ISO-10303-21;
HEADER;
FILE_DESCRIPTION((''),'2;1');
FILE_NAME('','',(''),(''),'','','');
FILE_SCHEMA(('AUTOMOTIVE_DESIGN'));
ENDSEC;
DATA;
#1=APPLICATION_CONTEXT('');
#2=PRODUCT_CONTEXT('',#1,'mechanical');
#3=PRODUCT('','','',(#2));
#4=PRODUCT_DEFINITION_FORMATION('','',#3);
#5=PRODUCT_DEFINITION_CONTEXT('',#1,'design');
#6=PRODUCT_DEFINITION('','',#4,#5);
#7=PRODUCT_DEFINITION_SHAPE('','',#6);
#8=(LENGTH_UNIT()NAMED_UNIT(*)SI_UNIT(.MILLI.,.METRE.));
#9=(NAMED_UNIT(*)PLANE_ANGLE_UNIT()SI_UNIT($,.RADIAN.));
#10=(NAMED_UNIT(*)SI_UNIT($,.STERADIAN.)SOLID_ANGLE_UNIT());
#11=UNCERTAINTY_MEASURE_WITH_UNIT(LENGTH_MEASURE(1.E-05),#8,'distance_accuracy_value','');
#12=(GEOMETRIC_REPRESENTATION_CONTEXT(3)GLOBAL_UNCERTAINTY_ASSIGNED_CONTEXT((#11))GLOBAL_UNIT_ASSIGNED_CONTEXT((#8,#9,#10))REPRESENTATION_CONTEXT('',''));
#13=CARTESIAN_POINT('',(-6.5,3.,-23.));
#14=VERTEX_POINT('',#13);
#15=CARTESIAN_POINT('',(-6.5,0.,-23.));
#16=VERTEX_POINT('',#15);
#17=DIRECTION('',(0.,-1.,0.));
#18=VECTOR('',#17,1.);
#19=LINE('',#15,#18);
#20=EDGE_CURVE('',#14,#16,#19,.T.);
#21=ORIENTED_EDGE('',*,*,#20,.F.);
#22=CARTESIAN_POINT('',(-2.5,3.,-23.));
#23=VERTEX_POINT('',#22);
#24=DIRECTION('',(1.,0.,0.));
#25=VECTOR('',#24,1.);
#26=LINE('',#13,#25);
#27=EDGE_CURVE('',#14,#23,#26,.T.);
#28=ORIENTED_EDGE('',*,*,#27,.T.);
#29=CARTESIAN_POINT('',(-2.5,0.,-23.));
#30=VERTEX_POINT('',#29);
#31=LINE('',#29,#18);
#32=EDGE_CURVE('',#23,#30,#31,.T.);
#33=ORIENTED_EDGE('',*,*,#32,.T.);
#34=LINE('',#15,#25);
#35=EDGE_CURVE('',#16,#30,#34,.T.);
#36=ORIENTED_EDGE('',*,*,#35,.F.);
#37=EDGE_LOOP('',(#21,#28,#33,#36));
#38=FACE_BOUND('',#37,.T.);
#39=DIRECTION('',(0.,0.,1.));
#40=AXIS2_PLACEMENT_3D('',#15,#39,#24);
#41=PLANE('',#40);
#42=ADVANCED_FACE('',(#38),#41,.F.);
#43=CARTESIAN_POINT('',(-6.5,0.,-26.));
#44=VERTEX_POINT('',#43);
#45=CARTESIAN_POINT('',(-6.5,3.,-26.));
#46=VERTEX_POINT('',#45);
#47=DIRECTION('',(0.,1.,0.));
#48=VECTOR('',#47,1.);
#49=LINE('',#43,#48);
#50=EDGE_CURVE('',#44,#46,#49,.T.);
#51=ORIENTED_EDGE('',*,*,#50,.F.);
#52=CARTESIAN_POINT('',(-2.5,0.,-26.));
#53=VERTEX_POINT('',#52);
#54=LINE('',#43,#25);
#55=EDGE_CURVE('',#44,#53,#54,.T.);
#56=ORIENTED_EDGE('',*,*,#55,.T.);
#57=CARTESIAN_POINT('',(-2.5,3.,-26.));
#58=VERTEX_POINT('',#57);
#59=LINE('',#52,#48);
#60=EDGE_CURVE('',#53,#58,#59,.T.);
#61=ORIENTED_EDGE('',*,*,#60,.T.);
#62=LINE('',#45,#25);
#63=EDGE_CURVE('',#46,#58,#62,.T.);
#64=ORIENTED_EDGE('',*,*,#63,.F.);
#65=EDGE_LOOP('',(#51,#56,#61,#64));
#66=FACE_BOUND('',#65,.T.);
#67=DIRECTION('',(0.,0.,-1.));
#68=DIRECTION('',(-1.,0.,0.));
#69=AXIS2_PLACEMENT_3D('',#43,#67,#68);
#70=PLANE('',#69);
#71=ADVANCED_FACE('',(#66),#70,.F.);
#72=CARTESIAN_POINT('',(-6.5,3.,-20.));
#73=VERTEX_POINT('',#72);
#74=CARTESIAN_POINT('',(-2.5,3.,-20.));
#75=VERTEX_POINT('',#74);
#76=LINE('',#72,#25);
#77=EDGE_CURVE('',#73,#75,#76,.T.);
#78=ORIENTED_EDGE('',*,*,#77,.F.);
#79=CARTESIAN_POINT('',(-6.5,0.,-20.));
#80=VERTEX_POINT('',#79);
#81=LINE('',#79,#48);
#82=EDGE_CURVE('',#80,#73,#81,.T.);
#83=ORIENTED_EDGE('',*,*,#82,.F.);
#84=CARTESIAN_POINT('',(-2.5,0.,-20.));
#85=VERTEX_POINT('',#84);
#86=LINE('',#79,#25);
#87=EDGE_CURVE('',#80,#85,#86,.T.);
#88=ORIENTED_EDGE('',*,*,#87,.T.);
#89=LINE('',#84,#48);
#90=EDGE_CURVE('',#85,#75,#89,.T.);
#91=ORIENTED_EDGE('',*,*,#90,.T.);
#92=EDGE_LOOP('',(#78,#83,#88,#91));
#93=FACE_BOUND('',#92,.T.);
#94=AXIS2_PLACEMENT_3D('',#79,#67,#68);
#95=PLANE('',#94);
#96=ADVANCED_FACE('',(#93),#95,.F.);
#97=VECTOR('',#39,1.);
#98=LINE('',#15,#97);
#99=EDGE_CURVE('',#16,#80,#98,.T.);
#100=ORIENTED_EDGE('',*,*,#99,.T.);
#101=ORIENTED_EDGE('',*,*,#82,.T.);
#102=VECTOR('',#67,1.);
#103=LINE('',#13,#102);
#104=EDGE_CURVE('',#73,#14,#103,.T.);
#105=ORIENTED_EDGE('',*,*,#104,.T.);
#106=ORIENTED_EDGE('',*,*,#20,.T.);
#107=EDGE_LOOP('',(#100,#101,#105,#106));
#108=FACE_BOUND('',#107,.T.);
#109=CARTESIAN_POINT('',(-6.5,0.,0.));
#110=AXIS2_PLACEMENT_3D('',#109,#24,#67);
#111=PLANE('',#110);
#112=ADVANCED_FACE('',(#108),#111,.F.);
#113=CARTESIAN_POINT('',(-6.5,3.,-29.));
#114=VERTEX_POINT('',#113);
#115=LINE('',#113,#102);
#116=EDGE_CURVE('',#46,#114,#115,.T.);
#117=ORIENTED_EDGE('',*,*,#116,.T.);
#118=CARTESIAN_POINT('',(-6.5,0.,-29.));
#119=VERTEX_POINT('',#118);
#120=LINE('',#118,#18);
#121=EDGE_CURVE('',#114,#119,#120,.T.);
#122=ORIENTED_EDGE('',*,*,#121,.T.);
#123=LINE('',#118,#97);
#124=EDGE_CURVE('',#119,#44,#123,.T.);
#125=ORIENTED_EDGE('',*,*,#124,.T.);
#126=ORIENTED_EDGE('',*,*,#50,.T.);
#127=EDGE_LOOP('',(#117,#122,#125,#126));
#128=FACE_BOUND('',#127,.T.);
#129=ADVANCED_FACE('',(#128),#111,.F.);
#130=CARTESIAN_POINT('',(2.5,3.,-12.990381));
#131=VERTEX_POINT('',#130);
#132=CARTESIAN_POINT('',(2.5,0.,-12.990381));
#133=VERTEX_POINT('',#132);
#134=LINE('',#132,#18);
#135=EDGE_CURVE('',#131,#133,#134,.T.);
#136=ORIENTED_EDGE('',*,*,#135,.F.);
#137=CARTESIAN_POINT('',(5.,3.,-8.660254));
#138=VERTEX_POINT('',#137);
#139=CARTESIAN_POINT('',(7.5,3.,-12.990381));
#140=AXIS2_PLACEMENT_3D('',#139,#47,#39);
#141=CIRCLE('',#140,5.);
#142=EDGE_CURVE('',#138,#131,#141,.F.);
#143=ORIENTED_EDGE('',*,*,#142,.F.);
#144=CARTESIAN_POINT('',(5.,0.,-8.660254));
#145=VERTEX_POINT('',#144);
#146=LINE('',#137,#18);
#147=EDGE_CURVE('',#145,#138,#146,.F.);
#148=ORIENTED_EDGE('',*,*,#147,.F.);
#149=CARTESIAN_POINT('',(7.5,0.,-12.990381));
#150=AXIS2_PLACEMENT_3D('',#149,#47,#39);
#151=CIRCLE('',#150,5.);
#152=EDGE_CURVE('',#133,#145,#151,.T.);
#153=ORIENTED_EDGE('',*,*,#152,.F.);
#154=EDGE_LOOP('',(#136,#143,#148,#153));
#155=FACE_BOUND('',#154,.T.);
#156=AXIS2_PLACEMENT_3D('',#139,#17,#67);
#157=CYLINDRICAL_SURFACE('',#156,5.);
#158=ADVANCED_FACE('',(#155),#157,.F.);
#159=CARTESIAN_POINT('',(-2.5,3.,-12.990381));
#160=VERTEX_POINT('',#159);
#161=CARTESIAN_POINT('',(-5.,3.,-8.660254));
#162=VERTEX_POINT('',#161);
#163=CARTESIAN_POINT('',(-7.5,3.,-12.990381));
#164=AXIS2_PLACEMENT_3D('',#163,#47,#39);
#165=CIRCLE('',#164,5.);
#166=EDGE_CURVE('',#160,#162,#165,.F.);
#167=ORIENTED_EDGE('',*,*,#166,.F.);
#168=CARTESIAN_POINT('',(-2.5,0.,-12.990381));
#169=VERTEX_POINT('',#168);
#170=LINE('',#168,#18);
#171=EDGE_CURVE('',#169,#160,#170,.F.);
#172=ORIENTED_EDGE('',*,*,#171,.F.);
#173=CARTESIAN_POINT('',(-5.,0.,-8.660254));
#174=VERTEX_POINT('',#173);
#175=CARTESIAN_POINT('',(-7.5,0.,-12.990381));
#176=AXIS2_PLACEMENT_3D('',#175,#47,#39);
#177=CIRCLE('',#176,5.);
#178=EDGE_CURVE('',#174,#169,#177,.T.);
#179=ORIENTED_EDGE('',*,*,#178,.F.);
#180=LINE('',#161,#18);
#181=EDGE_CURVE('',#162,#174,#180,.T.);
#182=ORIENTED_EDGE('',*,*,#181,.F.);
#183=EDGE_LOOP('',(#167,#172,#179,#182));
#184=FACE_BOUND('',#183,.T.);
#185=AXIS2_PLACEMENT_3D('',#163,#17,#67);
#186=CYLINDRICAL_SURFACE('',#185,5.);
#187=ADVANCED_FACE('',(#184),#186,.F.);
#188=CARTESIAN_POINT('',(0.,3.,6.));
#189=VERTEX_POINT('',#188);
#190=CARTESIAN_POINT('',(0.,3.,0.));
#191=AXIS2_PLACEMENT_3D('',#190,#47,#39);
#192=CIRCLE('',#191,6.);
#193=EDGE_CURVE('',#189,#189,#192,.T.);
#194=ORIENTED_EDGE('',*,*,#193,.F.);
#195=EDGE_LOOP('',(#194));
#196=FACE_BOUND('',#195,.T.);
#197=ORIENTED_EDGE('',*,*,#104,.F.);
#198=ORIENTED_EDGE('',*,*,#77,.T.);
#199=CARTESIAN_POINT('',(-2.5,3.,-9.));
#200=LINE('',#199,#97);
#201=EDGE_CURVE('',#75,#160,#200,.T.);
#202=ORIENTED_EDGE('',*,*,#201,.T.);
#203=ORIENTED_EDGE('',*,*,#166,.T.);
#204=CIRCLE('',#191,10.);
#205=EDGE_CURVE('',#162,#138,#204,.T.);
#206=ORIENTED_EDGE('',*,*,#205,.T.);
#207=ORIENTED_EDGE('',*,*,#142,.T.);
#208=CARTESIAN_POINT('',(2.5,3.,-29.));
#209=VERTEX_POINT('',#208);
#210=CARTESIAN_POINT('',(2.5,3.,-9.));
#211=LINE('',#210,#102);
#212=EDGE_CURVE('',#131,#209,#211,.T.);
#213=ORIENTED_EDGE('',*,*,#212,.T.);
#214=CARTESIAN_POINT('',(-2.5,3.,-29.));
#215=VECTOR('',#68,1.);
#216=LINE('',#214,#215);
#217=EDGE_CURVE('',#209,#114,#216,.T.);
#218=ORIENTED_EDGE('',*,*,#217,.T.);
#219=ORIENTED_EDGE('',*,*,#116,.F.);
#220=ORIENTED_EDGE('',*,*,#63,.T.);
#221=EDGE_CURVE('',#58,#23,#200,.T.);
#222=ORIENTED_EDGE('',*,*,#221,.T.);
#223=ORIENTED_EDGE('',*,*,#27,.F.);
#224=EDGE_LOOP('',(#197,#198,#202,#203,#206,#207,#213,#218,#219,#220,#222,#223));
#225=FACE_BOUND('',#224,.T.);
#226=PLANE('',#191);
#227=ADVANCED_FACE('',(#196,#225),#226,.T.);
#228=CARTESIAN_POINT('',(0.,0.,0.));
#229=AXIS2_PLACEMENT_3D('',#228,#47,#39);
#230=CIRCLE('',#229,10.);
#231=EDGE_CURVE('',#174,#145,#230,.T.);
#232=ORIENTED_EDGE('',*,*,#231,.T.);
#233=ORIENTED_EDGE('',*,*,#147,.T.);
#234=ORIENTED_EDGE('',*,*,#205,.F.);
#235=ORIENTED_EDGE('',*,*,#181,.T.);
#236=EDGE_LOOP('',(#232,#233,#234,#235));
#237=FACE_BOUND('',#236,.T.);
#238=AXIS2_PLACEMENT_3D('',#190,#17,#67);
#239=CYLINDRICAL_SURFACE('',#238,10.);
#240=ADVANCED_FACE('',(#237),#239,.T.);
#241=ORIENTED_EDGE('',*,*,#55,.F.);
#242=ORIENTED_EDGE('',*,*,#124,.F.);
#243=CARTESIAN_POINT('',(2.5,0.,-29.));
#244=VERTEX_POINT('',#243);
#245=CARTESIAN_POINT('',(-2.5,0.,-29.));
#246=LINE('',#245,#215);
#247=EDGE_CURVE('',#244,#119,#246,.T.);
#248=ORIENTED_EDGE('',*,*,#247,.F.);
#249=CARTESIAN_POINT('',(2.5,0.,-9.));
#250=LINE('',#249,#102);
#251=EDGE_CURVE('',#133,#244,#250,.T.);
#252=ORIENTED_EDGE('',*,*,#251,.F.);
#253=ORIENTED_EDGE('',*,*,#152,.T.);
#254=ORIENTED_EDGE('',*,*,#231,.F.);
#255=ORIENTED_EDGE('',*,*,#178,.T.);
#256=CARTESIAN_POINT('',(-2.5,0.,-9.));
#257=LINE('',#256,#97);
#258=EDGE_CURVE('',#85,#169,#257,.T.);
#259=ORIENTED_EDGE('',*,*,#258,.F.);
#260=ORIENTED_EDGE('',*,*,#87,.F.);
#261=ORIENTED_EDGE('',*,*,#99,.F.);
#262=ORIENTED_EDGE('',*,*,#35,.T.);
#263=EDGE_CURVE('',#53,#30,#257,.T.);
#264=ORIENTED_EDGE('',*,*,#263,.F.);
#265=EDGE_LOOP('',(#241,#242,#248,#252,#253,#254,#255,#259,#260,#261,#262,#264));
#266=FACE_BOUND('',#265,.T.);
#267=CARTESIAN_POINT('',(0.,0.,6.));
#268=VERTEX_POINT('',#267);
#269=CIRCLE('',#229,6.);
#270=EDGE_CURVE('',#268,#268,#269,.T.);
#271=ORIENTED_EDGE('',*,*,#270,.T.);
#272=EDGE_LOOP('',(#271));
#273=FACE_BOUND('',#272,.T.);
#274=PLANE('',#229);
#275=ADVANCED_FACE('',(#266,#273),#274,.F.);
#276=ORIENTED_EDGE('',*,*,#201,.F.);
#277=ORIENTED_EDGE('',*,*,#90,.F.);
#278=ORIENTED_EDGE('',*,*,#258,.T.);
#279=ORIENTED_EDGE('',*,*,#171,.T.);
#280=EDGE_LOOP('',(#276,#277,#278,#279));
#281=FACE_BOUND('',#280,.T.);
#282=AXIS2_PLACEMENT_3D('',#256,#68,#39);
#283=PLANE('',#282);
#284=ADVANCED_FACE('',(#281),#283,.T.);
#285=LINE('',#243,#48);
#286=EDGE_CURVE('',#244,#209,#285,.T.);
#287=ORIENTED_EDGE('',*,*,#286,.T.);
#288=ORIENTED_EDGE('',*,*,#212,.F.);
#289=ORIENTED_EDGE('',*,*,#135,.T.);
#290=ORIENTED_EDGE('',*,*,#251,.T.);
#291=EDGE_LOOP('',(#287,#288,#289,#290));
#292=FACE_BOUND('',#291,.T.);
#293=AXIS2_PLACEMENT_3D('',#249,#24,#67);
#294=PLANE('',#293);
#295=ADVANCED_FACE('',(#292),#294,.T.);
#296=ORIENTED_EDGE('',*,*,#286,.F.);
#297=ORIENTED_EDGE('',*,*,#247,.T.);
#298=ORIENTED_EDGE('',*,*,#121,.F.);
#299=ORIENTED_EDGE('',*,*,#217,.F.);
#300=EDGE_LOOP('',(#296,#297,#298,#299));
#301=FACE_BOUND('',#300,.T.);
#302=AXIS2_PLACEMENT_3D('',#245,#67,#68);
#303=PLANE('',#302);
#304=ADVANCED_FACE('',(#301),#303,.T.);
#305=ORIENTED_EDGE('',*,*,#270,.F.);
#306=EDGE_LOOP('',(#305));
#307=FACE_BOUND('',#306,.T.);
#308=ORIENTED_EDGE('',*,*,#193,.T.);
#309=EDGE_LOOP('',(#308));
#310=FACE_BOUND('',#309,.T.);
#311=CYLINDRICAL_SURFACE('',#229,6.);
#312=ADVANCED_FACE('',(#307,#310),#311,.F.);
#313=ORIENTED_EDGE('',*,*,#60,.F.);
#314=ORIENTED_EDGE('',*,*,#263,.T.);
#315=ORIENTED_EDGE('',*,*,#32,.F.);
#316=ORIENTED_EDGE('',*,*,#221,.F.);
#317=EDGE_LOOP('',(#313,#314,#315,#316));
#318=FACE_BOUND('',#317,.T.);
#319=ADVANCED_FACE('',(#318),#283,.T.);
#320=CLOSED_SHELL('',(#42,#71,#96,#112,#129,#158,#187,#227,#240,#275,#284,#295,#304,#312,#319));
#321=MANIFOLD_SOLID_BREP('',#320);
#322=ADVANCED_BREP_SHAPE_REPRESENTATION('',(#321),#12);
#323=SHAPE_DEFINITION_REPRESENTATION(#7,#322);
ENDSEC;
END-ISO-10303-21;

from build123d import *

# Parameters (mm, degrees)
SKETCH1_R           = 10
BOSS_EXTRUDE1_DEPTH = 3
SKETCH2_W           = 5
SKETCH2_H           = 20
BOSS_EXTRUDE2_DEPTH = 3
SKETCH3_W           = 3
SKETCH3_H           = 3
BOSS_EXTRUDE3_DEPTH = 4
SKETCH4_R           = 6
CUT_EXTRUDE1_DEPTH  = 3
FILLET1_R           = 5


with BuildPart() as part:
    # Sketch1 → Boss-Extrude1 (new body)
    with BuildSketch(Plane(origin=(0, 0, 0), x_dir=(1, 0, 0), z_dir=(0, 1, 0))):
        with Locations(Location((0, 0, 0), (0, 0, 270))):
            Circle(SKETCH1_R)
    extrude(amount=BOSS_EXTRUDE1_DEPTH)

    # Sketch2 → Boss-Extrude2 (add)
    with BuildSketch(Plane(origin=(0, 3, 0), x_dir=(1, 0, 0), z_dir=(0, 1, 0))):
        with Locations((0, 19)):
            Rectangle(SKETCH2_W, SKETCH2_H)
    extrude(amount=-BOSS_EXTRUDE2_DEPTH)

    # Sketch3 → Boss-Extrude3 (add)
    with BuildSketch(Plane.ZY.offset(2.5)):
        with Locations((-27.5, 1.5)):
            Rectangle(SKETCH3_W, SKETCH3_H)
        with Locations((-21.5, 1.5)):
            Rectangle(SKETCH3_W, SKETCH3_H)
    extrude(amount=BOSS_EXTRUDE3_DEPTH)

    # Sketch4 → Cut-Extrude1 (cut)
    with BuildSketch(Plane(origin=(0, 3, 0), x_dir=(1, 0, 0), z_dir=(0, 1, 0))):
        with Locations(Location((0, 0, 0), (0, 0, 270))):
            Circle(SKETCH4_R)
    extrude(amount=-CUT_EXTRUDE1_DEPTH, mode=Mode.SUBTRACT)

    # Fillet1
    fillet1_edges = [part.edges().sort_by_distance(p)[0] for p in [
        (-2.5, 1.5, -9.682458366),
        (2.5, 1.5, -9.682458366),
    ]]
    fillet(fillet1_edges, radius=FILLET1_R)


solid = part.part
